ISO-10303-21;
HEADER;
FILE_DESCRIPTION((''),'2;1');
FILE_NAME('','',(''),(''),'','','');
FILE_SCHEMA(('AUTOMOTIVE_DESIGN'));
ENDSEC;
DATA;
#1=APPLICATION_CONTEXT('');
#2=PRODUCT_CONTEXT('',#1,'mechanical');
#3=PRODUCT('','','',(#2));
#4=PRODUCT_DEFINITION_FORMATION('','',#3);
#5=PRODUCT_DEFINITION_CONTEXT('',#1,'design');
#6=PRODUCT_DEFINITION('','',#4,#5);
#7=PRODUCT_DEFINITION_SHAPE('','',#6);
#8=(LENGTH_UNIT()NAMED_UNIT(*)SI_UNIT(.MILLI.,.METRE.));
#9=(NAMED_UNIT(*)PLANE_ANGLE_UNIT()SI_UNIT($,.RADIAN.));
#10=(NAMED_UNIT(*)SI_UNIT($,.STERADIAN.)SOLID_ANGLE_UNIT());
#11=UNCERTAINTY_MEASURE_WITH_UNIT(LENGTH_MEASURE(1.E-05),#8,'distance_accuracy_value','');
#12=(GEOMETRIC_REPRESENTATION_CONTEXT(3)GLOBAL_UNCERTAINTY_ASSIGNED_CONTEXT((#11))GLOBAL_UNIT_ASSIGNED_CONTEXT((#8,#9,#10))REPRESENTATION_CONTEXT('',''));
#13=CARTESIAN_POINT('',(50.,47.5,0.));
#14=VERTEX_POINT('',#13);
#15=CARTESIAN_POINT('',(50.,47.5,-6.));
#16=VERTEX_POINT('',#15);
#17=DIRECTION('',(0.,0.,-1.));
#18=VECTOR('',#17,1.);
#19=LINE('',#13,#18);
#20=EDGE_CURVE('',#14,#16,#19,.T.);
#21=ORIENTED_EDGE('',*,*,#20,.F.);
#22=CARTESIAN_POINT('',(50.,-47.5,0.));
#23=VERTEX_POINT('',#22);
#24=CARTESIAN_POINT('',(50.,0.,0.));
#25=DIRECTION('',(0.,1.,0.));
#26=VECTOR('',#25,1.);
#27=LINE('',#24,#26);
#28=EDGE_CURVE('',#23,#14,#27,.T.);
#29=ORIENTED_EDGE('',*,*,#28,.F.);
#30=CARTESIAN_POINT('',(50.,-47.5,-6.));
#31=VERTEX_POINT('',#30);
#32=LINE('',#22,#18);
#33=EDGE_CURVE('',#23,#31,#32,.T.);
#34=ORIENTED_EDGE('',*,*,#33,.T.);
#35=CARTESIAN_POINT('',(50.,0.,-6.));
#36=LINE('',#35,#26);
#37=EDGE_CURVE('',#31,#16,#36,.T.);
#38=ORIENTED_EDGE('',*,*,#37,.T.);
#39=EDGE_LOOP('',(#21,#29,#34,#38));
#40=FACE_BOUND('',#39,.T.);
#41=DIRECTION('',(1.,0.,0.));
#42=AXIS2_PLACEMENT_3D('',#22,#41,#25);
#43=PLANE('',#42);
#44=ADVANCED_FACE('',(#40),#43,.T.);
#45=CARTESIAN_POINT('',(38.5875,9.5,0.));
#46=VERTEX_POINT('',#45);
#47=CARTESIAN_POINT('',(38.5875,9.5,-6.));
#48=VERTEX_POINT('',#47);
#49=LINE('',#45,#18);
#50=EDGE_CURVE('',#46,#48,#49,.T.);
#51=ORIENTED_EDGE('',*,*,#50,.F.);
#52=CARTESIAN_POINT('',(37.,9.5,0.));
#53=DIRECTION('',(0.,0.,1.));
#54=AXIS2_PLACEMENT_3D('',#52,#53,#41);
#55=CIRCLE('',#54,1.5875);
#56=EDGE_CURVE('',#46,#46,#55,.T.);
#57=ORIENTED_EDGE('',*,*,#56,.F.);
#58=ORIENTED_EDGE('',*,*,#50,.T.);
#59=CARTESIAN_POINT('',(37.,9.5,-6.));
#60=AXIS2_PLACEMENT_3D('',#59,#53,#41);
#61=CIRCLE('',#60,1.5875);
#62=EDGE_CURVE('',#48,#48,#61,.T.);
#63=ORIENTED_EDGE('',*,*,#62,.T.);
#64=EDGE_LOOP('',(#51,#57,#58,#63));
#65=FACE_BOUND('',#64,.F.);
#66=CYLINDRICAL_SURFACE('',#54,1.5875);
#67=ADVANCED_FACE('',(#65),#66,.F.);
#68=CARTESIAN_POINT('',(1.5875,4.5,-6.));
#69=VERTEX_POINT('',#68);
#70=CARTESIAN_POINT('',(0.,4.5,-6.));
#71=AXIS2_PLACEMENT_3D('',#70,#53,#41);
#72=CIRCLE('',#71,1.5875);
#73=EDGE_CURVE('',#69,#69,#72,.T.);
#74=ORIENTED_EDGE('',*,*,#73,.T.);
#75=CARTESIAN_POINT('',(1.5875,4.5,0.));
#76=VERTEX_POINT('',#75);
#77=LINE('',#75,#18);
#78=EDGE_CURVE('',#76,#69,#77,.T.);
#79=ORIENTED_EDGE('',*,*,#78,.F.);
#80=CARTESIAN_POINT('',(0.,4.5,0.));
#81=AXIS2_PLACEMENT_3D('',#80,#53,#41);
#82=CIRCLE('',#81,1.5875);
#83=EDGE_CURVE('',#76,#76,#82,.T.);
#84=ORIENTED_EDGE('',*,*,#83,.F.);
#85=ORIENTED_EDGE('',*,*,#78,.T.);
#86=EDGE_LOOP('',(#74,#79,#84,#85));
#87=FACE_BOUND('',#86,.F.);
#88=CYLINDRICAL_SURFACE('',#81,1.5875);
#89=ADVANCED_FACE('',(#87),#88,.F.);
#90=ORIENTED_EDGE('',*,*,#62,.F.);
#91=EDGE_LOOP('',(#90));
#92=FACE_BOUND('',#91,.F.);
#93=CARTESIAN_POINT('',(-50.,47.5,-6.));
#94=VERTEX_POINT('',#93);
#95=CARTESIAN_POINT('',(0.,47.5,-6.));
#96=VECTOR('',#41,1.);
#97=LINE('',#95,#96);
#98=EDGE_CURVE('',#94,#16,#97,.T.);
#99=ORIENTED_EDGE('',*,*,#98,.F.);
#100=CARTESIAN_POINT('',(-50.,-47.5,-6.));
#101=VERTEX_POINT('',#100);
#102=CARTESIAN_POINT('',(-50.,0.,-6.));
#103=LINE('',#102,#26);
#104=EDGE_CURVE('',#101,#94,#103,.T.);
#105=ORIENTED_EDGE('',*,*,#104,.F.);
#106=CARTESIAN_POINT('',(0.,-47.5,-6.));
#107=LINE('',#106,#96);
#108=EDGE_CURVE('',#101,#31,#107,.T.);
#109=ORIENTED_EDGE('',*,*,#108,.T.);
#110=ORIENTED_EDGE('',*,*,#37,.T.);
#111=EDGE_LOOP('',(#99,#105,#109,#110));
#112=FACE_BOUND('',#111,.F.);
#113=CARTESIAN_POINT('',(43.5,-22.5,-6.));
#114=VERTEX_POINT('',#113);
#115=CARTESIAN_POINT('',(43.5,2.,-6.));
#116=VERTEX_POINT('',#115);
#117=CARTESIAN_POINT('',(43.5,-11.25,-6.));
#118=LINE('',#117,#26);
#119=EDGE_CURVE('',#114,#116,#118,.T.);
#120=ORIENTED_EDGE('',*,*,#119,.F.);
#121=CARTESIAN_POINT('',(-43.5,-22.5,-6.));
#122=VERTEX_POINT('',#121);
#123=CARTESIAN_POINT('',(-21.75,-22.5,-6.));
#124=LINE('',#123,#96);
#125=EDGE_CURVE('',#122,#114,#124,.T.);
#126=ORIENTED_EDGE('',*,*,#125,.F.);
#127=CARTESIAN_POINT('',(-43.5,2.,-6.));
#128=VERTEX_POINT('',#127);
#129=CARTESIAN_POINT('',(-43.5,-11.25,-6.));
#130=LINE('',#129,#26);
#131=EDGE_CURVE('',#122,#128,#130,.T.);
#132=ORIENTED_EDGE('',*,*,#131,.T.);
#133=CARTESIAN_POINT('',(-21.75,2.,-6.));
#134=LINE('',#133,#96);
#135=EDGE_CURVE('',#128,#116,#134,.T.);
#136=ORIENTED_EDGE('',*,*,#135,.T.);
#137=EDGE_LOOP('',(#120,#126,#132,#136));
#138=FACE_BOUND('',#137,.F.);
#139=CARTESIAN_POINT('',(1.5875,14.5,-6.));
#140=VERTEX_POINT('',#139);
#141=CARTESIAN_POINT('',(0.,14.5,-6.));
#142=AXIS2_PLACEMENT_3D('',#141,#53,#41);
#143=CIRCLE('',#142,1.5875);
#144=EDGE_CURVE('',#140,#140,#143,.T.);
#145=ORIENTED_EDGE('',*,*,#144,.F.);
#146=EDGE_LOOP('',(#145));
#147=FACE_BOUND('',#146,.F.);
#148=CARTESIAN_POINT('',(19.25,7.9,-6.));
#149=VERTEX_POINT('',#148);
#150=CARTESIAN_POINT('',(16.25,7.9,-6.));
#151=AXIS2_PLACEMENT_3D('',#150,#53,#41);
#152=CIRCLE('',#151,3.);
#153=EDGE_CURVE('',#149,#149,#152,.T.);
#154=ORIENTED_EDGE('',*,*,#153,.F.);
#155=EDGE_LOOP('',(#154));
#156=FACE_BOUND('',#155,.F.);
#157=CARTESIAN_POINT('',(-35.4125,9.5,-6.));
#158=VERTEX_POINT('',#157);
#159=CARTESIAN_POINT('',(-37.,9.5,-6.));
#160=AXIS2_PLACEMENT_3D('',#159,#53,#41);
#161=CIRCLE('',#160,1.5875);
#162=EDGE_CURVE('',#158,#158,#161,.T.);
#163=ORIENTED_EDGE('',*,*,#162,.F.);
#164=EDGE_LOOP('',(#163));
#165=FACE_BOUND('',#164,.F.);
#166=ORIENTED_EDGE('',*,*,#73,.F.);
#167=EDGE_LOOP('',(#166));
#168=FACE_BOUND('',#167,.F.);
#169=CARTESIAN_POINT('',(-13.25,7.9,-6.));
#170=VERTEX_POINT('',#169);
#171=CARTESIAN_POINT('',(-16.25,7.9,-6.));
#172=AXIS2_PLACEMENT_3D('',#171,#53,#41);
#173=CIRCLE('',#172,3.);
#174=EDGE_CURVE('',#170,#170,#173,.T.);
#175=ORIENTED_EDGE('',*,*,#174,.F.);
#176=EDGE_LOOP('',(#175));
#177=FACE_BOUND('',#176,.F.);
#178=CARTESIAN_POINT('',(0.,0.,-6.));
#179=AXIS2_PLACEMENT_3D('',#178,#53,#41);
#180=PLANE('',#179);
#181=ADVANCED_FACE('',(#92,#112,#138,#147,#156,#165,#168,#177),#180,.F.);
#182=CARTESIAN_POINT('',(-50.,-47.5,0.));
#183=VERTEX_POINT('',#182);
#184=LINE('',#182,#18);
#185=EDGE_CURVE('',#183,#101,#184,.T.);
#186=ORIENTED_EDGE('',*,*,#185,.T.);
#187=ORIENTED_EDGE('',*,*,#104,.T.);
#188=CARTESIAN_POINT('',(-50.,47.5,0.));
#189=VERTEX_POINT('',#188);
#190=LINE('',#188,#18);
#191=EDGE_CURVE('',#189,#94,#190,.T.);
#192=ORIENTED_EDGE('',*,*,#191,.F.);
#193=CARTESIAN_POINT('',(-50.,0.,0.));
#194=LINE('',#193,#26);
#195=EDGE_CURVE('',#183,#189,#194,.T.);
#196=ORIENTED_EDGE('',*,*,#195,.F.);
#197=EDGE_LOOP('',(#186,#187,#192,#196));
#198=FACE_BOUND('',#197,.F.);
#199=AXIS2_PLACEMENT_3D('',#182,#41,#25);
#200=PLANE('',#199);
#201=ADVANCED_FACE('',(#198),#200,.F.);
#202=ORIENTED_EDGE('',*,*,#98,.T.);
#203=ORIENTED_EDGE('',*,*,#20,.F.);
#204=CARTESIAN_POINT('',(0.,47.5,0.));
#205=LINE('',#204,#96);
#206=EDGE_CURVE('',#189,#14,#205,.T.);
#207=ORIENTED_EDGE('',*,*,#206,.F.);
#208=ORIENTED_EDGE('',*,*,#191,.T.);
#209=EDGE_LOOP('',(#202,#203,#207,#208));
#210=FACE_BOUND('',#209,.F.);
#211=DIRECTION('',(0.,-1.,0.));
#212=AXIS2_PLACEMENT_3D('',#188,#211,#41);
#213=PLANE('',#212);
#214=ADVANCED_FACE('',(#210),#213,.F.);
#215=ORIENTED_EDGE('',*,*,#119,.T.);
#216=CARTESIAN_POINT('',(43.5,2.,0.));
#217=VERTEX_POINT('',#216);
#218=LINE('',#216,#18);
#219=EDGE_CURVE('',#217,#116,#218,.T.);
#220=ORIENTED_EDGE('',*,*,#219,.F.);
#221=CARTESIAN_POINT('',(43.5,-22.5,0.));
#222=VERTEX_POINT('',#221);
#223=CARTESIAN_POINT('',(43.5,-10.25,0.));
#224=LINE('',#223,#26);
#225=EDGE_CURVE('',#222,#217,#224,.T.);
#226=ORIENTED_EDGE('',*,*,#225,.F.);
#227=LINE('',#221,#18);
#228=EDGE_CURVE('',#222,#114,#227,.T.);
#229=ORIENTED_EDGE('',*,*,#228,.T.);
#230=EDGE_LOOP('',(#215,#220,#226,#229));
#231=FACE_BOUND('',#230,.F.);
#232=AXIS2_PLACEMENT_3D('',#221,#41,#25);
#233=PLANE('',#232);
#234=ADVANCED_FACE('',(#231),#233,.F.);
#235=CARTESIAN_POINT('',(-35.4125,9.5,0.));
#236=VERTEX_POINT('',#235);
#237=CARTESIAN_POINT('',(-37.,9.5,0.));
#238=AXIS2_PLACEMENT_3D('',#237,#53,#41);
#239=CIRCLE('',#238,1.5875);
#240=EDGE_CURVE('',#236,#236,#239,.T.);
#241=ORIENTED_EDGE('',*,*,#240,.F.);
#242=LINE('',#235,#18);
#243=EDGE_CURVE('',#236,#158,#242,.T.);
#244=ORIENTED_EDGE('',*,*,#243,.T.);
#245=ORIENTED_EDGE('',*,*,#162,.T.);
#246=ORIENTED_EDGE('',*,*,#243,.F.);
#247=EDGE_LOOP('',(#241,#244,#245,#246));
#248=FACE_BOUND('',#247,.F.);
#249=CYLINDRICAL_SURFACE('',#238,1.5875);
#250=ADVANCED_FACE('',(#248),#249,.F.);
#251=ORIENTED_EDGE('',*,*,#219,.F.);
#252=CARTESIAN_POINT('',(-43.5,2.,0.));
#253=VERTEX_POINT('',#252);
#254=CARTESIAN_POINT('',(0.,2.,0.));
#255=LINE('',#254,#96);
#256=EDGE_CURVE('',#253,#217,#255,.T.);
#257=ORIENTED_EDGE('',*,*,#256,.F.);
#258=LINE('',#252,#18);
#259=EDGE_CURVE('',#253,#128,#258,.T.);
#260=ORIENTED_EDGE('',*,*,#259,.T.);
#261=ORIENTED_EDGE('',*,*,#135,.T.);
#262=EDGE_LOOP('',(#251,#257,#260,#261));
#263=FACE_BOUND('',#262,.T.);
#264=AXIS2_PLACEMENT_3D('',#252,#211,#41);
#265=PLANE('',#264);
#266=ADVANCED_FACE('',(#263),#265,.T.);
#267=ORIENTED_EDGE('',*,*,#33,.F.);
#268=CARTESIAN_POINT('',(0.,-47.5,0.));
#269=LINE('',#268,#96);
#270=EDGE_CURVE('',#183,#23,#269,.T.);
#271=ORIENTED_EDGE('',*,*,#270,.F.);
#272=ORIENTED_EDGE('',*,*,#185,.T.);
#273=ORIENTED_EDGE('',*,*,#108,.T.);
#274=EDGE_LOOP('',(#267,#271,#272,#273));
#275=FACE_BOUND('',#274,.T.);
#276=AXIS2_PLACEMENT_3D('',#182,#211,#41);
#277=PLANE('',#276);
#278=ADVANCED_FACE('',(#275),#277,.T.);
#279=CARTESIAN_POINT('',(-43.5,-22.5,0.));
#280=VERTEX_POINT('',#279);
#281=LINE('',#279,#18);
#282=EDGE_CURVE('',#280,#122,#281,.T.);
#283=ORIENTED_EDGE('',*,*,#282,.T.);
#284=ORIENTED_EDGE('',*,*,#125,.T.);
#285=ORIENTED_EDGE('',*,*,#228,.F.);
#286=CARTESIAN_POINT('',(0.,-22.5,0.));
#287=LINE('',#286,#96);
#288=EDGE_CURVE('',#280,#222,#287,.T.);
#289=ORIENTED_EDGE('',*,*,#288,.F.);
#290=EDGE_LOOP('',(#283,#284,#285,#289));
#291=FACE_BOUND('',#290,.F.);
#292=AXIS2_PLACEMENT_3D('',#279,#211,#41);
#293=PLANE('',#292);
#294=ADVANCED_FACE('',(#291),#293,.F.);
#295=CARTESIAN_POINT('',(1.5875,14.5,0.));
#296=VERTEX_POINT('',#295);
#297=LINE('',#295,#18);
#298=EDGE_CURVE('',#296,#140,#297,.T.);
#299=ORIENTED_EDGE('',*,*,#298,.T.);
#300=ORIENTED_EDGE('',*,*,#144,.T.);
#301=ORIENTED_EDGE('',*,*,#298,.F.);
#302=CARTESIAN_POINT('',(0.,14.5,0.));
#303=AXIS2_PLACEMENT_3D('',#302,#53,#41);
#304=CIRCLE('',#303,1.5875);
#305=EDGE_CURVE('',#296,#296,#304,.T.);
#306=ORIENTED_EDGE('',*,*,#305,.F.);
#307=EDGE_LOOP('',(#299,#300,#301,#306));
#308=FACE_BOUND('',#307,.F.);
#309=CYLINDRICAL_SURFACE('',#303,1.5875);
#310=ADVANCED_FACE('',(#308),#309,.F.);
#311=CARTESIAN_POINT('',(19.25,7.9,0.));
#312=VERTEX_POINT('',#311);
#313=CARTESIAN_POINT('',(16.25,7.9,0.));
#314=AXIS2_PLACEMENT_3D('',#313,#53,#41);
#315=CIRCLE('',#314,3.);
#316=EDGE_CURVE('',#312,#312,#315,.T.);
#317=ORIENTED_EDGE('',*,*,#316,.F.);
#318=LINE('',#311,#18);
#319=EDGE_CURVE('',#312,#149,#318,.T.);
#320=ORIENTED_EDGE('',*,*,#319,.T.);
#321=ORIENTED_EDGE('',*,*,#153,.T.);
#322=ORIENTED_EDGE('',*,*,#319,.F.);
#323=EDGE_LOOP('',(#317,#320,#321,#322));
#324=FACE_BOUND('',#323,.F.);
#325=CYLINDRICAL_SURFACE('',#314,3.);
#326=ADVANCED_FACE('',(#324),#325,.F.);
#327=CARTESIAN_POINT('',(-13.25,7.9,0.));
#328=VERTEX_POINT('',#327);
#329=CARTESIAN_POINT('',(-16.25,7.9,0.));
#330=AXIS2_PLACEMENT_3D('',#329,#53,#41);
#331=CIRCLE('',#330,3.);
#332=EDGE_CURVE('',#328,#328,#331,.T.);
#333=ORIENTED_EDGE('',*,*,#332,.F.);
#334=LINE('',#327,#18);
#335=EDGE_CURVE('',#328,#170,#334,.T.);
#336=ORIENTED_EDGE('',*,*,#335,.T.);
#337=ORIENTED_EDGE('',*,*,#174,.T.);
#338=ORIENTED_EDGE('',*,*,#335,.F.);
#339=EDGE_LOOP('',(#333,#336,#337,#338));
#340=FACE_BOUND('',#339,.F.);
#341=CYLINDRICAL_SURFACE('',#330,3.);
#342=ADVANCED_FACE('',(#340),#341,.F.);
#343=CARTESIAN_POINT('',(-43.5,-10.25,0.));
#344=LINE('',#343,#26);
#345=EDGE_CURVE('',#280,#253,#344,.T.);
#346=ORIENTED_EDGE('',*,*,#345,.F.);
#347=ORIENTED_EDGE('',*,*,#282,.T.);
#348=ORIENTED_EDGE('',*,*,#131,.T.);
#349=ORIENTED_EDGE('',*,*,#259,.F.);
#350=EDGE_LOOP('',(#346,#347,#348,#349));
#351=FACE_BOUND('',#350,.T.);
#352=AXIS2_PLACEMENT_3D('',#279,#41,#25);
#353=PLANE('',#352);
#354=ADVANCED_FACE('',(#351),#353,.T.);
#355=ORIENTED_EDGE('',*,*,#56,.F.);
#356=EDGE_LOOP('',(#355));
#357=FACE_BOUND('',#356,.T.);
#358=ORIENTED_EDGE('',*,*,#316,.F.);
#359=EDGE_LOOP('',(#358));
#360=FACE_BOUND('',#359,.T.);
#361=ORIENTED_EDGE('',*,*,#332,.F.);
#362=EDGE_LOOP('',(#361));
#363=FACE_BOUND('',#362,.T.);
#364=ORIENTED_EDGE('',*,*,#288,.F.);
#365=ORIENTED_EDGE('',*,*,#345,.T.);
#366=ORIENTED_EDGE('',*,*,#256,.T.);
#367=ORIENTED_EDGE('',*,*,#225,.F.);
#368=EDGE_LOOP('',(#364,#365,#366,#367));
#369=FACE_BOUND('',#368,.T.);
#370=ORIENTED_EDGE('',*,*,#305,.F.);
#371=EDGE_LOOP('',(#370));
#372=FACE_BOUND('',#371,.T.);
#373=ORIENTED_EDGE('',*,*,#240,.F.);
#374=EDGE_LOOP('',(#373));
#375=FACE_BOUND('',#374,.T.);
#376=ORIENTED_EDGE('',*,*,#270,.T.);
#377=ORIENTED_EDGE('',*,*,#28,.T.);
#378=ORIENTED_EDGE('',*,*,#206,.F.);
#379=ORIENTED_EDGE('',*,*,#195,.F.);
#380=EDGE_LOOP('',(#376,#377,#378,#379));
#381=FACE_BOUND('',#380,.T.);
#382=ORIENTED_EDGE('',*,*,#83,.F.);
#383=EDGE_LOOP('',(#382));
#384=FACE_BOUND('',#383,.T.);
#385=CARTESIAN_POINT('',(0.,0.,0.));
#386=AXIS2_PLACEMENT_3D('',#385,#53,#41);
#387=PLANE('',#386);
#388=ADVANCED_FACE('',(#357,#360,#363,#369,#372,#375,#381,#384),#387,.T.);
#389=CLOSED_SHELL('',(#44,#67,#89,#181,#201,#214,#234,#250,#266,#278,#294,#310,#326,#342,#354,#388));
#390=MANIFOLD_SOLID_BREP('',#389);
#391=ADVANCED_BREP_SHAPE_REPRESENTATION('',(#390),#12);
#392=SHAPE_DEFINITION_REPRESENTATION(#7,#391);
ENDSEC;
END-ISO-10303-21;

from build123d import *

# Parameters (mm, degrees)
F0_W     = 100
F0_H     = 95
F3_DEPTH = 6
F1_W     = 87
F1_H     = 24.5
F2_R     = 1.5875
F2_R_2   = 3
F4_DEPTH = 25


with BuildPart() as f3:
    # F0 (on Top) → F3 (new body)
    with BuildSketch(Plane.XY):
        Rectangle(F0_W, F0_H)
    extrude(amount=-F3_DEPTH)

    # F1 (on Top) + F2 (on Top) → F4 (cut)
    with BuildSketch(Plane.XY):
        with Locations((0, -10.25)):
            Rectangle(F1_W, F1_H)
    with BuildSketch(Plane.XY):
        with Locations((-37, 9.5)):
            Circle(F2_R)
        with Locations((-16.25, 7.9)):
            Circle(F2_R_2)
        with Locations((0, 4.5)):
            Circle(F2_R)
        with Locations((0, 14.5)):
            Circle(F2_R)
        with Locations((16.25, 7.9)):
            Circle(F2_R_2)
        with Locations((37, 9.5)):
            Circle(F2_R)
    extrude(amount=-F4_DEPTH, mode=Mode.SUBTRACT)


solid = f3.part
